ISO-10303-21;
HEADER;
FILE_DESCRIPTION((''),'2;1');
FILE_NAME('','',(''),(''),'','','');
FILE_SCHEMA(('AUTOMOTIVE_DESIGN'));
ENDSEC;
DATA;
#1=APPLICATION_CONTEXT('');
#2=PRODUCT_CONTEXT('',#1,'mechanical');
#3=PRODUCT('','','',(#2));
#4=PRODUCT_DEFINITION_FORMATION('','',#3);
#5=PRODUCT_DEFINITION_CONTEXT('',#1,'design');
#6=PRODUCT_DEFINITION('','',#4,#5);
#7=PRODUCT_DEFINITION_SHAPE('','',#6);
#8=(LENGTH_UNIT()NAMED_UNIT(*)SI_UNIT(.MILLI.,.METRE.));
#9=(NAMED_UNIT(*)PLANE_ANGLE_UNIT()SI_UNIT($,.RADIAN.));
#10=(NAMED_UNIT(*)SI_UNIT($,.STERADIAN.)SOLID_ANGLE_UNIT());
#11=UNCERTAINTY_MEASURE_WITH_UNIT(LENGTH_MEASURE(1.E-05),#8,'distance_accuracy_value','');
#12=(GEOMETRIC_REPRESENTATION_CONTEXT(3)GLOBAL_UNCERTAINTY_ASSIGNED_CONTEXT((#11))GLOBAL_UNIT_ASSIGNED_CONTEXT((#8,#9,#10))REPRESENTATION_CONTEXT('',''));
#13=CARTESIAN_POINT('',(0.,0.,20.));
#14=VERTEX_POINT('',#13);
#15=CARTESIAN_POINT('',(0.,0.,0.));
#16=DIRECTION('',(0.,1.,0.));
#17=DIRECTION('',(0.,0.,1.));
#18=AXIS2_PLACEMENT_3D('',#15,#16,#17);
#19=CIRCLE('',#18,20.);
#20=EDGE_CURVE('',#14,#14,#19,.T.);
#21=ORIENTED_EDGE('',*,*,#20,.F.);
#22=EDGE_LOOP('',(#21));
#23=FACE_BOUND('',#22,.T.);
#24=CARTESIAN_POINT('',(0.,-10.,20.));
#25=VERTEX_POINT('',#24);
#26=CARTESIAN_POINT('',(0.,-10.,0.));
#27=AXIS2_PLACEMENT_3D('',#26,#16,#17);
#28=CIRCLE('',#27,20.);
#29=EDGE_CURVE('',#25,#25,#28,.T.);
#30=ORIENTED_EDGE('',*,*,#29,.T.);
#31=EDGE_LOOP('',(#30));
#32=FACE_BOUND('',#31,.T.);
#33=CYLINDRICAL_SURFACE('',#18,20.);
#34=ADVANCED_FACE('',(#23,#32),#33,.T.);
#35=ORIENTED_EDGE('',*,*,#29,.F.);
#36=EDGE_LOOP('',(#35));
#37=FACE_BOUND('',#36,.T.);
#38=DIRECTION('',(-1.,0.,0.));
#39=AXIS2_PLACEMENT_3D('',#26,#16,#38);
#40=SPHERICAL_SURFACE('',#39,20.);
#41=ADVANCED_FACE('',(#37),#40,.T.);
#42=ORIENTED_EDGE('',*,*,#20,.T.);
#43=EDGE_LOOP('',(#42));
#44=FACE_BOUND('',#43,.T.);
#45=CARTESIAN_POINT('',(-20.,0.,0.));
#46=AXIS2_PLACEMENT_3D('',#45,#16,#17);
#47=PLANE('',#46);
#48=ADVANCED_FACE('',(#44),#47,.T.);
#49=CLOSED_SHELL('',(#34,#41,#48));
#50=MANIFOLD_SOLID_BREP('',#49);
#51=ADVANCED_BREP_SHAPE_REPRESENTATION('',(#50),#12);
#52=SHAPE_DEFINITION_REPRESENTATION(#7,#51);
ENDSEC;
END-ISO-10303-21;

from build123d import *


with BuildPart() as part:
    # Sketch1 → Revolve1 (revolve)
    with BuildSketch(Plane.XY, mode=Mode.PRIVATE) as revolve1_sk:
        with BuildLine():
            Line((0, 0), (0, -16.801399594))
            Line((0, -16.801399594), (0, -30))
            ThreePointArc((0, -30), (-14.142135624, -24.142135624), (-20, -10))
            Line((-20, -10), (-20, 0))
            Line((-20, 0), (0, 0))
        make_face()
    revolve(revolve1_sk.sketch.rotate(Axis((0, 0, 0), (0, -1, 0)), 270), axis=Axis((0, 0, 0), (0, -1, 0)))


solid = part.part
